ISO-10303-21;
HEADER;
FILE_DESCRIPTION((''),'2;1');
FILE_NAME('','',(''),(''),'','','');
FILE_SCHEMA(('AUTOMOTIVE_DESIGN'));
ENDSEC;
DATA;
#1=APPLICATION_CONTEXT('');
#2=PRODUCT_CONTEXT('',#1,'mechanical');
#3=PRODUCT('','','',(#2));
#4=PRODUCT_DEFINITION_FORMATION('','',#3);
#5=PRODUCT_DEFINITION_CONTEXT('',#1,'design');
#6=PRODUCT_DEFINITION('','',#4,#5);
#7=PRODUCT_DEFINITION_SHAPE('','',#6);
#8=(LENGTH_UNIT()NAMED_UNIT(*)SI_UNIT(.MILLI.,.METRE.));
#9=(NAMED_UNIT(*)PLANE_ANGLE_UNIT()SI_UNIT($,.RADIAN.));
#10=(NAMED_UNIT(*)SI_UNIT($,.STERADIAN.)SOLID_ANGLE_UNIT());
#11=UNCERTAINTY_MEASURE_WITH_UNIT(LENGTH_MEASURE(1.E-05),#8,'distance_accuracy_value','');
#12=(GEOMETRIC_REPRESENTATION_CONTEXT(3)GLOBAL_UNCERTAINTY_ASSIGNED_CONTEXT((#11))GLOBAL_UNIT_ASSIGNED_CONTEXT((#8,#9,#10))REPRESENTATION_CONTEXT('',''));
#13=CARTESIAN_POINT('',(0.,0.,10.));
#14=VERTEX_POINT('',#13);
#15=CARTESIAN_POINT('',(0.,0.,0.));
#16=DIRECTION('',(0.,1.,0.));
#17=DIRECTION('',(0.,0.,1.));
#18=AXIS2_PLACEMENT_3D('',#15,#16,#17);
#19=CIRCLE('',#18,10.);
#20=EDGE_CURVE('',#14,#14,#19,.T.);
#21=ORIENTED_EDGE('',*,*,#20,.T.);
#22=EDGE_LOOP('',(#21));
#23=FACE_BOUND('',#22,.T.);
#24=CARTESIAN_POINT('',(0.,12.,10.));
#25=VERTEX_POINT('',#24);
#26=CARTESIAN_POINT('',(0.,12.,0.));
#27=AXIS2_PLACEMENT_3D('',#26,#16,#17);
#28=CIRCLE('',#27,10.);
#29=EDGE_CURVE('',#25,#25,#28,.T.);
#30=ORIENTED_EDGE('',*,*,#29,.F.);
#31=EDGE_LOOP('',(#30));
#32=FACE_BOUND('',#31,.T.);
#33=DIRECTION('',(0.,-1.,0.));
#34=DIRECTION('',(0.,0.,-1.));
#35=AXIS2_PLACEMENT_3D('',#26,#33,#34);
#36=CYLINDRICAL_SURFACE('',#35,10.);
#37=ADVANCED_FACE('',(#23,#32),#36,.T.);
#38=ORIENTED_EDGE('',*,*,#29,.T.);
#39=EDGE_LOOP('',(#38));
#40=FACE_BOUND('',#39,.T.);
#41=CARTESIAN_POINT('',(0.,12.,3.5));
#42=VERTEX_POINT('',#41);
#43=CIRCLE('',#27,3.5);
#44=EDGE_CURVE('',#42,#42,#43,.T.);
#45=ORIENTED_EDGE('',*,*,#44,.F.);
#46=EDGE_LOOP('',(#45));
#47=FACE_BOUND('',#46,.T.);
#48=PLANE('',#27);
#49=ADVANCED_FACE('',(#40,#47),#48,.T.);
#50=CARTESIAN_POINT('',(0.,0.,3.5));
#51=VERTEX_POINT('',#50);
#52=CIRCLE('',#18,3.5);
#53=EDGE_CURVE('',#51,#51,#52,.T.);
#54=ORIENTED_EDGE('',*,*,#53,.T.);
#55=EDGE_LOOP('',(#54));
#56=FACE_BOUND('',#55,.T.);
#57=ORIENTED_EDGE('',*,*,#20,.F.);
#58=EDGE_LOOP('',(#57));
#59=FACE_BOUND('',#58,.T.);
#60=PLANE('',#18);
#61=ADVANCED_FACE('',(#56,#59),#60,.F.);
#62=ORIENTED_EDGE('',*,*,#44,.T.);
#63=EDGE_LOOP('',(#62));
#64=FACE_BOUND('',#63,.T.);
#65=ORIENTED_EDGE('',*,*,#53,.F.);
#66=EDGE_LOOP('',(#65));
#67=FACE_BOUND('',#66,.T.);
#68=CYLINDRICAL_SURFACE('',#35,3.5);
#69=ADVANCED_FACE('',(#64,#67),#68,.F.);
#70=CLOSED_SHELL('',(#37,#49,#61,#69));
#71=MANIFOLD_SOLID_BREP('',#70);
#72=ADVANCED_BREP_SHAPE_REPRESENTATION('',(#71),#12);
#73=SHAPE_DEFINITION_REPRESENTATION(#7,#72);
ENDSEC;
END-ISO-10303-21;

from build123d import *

# Parameters (mm, degrees)
CROQUIS1_R     = 10
CROQUIS1_R_2   = 3.5
EXTRUIR1_DEPTH = 12


with BuildPart() as part:
    # Croquis1 → Extruir1 (new body)
    with BuildSketch(Plane(origin=(0, 0, 0), x_dir=(1, 0, 0), z_dir=(0, 1, 0))):
        with Locations(Location((0, 0, 0), (0, 0, 270))):
            Circle(CROQUIS1_R)
        with Locations(Location((0, 0, 0), (0, 0, 270))):
            Circle(CROQUIS1_R_2, mode=Mode.SUBTRACT)
    extrude(amount=EXTRUIR1_DEPTH)


solid = part.part
